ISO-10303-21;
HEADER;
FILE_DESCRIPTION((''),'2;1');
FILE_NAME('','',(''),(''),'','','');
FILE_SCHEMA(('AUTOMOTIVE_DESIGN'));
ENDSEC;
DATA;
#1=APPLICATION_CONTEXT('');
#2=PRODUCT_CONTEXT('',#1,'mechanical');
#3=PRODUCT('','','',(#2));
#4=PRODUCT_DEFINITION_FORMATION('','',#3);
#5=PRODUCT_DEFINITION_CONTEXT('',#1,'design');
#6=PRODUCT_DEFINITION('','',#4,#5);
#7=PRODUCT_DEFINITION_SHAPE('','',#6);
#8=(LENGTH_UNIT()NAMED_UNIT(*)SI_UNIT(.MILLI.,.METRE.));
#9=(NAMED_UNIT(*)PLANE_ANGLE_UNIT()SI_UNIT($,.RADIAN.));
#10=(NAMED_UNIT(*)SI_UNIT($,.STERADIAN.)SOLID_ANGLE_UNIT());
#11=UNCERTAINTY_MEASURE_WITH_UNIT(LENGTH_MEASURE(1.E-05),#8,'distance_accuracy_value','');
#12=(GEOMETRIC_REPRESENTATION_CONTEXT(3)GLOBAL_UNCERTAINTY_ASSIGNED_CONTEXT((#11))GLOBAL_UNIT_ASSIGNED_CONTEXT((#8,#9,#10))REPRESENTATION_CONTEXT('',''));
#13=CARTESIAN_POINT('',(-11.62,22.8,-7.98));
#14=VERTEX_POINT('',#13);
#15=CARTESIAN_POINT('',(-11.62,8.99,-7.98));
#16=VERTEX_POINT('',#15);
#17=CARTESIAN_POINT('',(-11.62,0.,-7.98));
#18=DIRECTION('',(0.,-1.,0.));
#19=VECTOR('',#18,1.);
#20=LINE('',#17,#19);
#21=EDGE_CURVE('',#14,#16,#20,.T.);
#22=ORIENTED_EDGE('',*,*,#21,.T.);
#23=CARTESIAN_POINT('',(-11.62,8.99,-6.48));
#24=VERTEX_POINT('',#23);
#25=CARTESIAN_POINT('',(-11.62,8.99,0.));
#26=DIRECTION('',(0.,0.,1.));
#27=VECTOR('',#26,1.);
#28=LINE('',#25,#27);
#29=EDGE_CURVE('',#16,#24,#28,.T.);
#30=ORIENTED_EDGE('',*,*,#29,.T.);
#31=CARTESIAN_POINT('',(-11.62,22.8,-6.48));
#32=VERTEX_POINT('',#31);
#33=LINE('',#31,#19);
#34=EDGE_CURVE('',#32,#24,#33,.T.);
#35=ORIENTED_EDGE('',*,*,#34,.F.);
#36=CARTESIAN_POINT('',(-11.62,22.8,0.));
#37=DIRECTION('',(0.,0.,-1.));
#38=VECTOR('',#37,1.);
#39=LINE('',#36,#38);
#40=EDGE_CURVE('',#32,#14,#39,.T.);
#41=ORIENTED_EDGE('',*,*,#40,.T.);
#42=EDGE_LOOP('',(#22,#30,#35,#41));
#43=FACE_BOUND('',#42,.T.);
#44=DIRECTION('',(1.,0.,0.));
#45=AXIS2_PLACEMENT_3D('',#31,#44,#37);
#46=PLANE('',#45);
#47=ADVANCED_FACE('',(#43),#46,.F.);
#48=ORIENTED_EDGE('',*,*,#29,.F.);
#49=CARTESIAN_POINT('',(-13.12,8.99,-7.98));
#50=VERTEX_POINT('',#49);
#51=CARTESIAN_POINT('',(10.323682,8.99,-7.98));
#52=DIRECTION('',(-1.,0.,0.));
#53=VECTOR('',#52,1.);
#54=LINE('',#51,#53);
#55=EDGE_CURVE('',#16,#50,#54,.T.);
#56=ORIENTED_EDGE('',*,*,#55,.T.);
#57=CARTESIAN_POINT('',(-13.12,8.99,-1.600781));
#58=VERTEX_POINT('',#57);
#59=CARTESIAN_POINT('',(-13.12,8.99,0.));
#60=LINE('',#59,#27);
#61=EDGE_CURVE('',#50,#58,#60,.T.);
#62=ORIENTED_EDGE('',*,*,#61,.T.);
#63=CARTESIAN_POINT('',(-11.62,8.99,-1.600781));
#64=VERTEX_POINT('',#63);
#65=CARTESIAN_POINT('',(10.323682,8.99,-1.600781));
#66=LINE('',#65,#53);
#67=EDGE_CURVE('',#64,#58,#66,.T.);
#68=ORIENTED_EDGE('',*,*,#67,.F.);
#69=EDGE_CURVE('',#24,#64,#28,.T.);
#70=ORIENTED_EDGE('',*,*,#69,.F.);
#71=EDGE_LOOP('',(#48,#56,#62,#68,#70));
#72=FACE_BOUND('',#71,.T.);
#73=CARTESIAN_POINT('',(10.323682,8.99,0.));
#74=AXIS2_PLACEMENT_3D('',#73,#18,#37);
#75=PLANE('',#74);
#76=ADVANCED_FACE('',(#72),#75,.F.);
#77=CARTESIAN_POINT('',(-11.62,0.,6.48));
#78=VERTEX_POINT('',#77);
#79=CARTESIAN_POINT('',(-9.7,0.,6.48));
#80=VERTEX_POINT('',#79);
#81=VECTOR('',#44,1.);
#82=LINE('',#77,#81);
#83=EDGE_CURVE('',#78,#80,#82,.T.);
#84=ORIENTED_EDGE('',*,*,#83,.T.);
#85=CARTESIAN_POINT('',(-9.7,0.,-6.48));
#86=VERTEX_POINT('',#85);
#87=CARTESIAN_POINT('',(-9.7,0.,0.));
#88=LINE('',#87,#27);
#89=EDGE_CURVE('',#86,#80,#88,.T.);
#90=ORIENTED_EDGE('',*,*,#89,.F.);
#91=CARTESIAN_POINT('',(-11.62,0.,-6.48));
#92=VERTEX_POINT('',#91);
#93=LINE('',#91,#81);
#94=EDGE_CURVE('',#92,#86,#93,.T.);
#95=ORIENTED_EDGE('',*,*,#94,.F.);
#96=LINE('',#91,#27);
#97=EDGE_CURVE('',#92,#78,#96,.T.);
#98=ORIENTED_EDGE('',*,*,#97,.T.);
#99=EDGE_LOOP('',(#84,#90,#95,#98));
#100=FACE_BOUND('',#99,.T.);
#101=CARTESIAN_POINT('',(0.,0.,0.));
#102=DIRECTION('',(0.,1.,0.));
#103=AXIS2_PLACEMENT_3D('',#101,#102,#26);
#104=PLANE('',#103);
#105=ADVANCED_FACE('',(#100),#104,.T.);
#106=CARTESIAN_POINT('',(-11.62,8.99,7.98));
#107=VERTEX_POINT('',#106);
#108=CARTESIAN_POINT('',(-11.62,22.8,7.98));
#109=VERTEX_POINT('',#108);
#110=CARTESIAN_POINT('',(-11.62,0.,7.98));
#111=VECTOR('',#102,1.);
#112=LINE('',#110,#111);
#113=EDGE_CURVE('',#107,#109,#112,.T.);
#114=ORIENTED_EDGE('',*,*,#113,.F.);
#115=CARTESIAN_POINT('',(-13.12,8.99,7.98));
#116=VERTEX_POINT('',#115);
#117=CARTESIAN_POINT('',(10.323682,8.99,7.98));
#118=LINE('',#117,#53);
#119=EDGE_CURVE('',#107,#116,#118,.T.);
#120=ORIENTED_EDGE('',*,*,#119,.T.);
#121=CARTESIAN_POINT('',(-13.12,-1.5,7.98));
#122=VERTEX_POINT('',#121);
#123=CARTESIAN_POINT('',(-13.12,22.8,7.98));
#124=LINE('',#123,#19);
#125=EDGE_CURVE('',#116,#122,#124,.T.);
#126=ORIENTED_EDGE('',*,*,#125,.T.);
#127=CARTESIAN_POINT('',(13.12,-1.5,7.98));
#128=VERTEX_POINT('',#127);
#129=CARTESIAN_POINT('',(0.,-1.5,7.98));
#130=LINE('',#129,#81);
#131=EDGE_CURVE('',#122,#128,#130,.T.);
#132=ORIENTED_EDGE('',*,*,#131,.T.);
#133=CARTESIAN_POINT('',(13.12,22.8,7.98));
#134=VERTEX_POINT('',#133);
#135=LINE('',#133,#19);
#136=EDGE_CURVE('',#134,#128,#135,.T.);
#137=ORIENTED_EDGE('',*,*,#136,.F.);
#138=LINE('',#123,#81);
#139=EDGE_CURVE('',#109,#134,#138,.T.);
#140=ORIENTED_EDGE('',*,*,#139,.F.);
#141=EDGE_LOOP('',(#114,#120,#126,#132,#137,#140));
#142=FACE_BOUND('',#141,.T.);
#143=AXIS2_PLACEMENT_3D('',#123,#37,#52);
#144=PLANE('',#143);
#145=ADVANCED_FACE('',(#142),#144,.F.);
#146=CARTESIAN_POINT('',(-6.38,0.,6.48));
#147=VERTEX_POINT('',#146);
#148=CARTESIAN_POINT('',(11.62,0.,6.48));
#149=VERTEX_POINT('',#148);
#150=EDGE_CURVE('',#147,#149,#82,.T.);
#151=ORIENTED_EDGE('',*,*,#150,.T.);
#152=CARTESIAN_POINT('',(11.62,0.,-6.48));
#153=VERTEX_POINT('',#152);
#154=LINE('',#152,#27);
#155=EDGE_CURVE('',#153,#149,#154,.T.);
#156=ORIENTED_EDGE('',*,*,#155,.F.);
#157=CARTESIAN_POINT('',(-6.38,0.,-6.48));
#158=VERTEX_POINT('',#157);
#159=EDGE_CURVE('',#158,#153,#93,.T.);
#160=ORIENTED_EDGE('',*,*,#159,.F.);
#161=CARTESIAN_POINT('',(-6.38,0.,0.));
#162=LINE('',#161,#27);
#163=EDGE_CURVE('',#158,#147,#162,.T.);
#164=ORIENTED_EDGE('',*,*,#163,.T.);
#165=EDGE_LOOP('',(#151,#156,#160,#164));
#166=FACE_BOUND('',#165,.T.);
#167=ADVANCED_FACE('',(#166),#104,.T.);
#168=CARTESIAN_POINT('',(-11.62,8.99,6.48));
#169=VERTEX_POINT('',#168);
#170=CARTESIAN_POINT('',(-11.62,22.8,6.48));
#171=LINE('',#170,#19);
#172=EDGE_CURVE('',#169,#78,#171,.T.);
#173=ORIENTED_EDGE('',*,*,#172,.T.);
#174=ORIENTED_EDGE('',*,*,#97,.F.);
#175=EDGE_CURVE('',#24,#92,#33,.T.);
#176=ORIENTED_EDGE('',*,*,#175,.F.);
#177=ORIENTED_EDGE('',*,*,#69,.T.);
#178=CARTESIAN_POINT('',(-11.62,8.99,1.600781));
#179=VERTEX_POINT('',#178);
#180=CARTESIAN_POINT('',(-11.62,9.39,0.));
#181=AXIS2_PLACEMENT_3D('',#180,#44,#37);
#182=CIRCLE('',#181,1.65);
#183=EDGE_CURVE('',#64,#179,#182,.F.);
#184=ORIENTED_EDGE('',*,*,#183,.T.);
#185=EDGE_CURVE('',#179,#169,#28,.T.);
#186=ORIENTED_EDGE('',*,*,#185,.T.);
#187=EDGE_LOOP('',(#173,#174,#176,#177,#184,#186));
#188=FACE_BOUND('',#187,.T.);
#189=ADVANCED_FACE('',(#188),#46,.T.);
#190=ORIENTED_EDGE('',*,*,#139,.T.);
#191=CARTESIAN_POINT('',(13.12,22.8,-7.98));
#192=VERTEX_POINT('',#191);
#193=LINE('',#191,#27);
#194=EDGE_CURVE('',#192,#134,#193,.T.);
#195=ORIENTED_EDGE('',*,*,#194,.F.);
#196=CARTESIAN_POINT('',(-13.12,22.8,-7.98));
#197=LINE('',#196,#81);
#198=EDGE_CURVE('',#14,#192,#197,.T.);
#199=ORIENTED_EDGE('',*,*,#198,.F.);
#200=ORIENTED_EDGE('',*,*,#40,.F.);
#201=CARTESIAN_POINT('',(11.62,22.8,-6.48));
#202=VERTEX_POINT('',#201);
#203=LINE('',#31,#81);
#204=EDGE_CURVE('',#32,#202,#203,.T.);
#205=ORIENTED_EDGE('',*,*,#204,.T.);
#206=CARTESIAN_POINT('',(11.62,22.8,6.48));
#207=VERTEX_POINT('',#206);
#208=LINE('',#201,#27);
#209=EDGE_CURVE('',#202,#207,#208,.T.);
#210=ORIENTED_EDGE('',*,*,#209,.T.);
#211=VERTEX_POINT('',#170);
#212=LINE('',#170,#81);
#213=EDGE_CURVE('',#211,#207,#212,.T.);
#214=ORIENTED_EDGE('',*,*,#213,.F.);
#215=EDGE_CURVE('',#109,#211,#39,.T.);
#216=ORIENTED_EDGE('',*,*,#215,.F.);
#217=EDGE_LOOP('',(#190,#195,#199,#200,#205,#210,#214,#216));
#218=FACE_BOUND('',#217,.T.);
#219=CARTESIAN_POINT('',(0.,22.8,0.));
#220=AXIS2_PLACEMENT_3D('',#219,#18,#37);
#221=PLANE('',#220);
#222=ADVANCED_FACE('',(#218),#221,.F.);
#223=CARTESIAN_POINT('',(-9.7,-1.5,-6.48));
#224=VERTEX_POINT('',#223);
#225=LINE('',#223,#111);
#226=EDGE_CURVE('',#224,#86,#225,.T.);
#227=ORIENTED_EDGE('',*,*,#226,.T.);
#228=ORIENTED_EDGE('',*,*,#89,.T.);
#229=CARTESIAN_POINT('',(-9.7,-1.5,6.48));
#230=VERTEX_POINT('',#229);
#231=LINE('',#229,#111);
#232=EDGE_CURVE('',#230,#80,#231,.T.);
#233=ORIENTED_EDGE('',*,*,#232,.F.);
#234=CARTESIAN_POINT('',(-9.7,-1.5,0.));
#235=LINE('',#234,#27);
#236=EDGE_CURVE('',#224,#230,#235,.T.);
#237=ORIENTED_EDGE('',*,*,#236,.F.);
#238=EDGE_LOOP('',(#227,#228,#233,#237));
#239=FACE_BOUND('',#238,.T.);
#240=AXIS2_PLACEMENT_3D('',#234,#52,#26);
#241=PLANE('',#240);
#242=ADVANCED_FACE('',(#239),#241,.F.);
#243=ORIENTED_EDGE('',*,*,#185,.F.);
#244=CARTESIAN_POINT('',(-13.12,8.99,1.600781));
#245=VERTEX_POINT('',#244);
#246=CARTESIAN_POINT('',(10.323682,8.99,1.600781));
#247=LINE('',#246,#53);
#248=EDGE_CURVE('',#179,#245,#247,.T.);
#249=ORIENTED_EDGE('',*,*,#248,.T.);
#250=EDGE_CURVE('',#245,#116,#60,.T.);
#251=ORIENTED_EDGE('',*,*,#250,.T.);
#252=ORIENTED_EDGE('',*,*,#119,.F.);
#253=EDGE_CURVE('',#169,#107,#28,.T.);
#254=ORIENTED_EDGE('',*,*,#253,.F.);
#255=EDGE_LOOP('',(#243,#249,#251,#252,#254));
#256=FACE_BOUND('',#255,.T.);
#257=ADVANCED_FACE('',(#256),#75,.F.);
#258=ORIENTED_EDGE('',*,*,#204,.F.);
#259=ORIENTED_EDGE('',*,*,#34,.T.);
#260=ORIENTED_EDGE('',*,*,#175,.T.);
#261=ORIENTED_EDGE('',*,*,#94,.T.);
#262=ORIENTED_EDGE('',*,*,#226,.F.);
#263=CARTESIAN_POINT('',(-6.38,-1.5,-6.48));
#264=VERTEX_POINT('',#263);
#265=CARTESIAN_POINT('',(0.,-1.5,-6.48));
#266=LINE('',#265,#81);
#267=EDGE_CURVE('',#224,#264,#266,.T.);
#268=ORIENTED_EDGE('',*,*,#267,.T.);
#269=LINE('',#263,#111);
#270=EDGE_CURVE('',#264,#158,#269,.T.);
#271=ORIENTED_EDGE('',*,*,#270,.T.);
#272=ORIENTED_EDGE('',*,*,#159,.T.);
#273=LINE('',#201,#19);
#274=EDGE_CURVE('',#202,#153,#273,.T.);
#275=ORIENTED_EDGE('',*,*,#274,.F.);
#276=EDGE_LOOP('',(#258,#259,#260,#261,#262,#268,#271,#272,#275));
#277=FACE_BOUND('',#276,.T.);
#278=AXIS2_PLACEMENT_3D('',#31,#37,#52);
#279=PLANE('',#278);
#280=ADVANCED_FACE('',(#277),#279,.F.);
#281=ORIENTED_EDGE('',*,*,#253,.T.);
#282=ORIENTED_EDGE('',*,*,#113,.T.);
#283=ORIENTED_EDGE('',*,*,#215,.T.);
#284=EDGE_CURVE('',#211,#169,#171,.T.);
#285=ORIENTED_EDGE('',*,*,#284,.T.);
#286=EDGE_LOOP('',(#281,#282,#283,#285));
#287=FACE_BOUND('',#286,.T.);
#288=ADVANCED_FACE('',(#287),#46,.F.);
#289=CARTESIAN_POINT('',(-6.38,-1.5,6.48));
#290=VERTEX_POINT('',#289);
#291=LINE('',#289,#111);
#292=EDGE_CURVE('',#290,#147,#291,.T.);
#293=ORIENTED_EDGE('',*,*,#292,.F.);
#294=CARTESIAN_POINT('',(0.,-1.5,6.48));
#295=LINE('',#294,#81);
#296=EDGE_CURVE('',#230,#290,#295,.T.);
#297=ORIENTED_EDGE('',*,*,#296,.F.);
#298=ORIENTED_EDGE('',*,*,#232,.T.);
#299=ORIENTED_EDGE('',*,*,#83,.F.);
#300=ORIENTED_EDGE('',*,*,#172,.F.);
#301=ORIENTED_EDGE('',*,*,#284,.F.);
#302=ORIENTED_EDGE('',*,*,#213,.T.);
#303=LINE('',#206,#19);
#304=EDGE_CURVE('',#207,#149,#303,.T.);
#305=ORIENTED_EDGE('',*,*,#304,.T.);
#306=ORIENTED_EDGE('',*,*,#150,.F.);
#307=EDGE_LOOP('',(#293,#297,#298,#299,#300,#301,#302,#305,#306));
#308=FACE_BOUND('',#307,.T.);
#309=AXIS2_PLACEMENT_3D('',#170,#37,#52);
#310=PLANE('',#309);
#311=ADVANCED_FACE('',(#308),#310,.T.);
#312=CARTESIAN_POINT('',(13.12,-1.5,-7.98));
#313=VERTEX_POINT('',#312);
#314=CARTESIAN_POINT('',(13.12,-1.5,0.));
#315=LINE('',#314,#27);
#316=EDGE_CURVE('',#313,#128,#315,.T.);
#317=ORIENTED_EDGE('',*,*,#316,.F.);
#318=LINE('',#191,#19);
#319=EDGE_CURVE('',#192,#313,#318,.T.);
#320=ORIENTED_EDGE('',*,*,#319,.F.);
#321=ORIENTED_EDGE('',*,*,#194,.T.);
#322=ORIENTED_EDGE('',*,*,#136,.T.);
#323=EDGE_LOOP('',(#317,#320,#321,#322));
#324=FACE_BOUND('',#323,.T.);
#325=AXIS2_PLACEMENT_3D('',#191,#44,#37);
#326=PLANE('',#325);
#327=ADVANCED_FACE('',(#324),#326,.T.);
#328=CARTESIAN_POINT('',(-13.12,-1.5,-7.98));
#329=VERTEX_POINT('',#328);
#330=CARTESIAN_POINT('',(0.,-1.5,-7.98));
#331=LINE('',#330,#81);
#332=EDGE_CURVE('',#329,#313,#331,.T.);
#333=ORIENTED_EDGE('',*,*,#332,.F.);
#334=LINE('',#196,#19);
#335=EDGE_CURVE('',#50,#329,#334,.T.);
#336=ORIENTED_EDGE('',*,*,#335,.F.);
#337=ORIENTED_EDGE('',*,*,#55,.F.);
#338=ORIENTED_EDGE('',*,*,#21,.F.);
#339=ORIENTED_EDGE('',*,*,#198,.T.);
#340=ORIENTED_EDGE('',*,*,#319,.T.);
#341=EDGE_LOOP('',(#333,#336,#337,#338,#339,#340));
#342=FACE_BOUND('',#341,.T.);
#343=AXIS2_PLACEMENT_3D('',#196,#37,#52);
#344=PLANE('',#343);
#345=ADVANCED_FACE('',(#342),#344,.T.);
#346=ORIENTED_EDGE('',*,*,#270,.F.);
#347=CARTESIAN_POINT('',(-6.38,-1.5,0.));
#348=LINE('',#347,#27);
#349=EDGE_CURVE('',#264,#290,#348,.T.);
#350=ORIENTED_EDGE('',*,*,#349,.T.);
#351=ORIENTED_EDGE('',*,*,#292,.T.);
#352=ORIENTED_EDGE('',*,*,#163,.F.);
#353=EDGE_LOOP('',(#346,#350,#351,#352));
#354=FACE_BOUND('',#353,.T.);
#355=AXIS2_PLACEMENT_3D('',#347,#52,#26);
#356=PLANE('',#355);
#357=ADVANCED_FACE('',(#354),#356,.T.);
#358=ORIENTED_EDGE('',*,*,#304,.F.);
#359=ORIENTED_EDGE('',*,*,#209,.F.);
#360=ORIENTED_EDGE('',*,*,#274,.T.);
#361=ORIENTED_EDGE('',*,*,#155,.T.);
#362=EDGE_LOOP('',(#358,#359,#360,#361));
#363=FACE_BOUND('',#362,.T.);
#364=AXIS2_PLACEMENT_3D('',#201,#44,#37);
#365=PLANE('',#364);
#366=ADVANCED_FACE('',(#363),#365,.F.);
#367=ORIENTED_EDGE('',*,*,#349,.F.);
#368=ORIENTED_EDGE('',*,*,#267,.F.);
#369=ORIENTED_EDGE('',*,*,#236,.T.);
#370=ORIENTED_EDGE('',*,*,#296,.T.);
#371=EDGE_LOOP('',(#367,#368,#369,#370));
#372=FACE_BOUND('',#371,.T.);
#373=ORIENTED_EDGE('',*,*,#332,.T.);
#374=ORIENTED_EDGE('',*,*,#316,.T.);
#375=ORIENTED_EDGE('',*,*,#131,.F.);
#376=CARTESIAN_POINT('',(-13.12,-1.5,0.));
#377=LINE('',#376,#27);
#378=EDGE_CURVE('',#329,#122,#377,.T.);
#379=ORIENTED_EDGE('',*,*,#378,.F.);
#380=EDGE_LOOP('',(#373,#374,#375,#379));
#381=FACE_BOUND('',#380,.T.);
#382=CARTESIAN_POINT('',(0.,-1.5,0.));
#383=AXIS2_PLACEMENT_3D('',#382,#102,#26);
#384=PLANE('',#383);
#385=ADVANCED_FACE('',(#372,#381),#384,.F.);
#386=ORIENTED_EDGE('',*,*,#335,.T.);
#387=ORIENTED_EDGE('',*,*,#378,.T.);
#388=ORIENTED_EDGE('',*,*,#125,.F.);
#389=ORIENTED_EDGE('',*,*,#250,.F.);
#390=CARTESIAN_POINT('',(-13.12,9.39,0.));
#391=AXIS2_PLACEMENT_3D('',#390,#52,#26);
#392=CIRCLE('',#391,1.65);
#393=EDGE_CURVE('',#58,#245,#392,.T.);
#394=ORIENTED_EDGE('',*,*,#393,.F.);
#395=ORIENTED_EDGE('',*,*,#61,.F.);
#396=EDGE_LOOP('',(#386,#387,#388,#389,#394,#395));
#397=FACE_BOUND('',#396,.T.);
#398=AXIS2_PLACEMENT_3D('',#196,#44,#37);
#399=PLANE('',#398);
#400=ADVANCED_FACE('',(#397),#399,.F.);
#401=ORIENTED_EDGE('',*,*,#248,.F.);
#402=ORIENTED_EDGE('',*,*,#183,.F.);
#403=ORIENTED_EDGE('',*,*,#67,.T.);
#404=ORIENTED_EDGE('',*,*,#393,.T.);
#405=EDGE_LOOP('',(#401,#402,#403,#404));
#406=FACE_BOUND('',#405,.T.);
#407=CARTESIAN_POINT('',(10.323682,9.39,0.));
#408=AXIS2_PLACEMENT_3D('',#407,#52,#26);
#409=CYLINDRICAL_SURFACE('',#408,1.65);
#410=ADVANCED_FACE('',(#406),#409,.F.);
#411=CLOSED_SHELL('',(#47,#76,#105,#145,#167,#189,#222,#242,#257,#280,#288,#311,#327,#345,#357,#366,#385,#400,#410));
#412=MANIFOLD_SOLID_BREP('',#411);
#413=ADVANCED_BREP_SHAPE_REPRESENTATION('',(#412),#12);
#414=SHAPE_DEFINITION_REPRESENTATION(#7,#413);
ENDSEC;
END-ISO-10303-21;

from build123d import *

# Parameters (mm, degrees)
SKETCH_13_W         = 26.24
SKETCH_13_H         = 15.96
SKETCH_13_W_2       = 23.24
SKETCH_13_H_2       = 12.96
EXTRUDE_1_DEPTH     = 22.8
SKETCH_13_3_W       = 26.24
SKETCH_13_3_H       = 15.96
SKETCH_13_3_W_2     = 23.24
SKETCH_13_3_H_2     = 12.96
SKETCH_13_3_W_3     = 18
SKETCH_13_3_W_4     = 1.92
EXTRUDE_2_DEPTH     = 1.5
CUT_EXTRUDE_4_DEPTH = 1.5


with BuildPart() as part:
    # 草图13 → 凸台-拉伸1 (new body)
    with BuildSketch(Plane(origin=(0, 0, 0), x_dir=(1, 0, 0), z_dir=(0, 1, 0))):
        Rectangle(SKETCH_13_W, SKETCH_13_H)
        Rectangle(SKETCH_13_W_2, SKETCH_13_H_2, mode=Mode.SUBTRACT)
    extrude(amount=EXTRUDE_1_DEPTH)

    # 草图13<3> → 凸台-拉伸2 (add)
    with BuildSketch(Plane(origin=(0, 0, 0), x_dir=(1, 0, 0), z_dir=(0, 1, 0))):
        Rectangle(SKETCH_13_3_W, SKETCH_13_3_H)
        Rectangle(SKETCH_13_3_W_2, SKETCH_13_3_H_2, mode=Mode.SUBTRACT)
        with Locations((2.62, 0)):
            Rectangle(SKETCH_13_3_W_3, SKETCH_13_3_H_2)
        with Locations((-10.66, 0)):
            Rectangle(SKETCH_13_3_W_4, SKETCH_13_3_H_2)
    extrude(amount=-EXTRUDE_2_DEPTH)

    # 草图15 → 切除-拉伸4 (cut)
    with BuildSketch(Plane.ZY.offset(13.12)):
        with BuildLine():
            ThreePointArc((-1.600781059, 8.99), (-1.015504801, 8.08951932), (0, 7.74))
            ThreePointArc((0, 7.74), (1.015504801, 8.08951932), (1.600781059, 8.99))
            Line((1.600781059, 8.99), (-1.600781059, 8.99))
        make_face()
        with BuildLine():
            ThreePointArc((1.65, 9.39), (-0.201508377, 11.027649039), (-1.600781059, 8.99))
            Line((-1.600781059, 8.99), (1.600781059, 8.99))
            ThreePointArc((1.600781059, 8.99), (1.637649039, 9.188491623), (1.65, 9.39))
        make_face()
        with BuildLine():
            Line((-7.98, 22.8), (-7.98, 8.99))
            Line((-7.98, 8.99), (-1.600781059, 8.99))
            ThreePointArc((-1.600781059, 8.99), (-0.201508377, 11.027649039), (1.65, 9.39))
            ThreePointArc((1.65, 9.39), (1.637649039, 9.188491623), (1.600781059, 8.99))
            Line((1.600781059, 8.99), (7.98, 8.99))
            Line((7.98, 8.99), (7.98, 22.8))
            Line((7.98, 22.8), (-7.98, 22.8))
        make_face()
    extrude(amount=-CUT_EXTRUDE_4_DEPTH, mode=Mode.SUBTRACT)


solid = part.part
